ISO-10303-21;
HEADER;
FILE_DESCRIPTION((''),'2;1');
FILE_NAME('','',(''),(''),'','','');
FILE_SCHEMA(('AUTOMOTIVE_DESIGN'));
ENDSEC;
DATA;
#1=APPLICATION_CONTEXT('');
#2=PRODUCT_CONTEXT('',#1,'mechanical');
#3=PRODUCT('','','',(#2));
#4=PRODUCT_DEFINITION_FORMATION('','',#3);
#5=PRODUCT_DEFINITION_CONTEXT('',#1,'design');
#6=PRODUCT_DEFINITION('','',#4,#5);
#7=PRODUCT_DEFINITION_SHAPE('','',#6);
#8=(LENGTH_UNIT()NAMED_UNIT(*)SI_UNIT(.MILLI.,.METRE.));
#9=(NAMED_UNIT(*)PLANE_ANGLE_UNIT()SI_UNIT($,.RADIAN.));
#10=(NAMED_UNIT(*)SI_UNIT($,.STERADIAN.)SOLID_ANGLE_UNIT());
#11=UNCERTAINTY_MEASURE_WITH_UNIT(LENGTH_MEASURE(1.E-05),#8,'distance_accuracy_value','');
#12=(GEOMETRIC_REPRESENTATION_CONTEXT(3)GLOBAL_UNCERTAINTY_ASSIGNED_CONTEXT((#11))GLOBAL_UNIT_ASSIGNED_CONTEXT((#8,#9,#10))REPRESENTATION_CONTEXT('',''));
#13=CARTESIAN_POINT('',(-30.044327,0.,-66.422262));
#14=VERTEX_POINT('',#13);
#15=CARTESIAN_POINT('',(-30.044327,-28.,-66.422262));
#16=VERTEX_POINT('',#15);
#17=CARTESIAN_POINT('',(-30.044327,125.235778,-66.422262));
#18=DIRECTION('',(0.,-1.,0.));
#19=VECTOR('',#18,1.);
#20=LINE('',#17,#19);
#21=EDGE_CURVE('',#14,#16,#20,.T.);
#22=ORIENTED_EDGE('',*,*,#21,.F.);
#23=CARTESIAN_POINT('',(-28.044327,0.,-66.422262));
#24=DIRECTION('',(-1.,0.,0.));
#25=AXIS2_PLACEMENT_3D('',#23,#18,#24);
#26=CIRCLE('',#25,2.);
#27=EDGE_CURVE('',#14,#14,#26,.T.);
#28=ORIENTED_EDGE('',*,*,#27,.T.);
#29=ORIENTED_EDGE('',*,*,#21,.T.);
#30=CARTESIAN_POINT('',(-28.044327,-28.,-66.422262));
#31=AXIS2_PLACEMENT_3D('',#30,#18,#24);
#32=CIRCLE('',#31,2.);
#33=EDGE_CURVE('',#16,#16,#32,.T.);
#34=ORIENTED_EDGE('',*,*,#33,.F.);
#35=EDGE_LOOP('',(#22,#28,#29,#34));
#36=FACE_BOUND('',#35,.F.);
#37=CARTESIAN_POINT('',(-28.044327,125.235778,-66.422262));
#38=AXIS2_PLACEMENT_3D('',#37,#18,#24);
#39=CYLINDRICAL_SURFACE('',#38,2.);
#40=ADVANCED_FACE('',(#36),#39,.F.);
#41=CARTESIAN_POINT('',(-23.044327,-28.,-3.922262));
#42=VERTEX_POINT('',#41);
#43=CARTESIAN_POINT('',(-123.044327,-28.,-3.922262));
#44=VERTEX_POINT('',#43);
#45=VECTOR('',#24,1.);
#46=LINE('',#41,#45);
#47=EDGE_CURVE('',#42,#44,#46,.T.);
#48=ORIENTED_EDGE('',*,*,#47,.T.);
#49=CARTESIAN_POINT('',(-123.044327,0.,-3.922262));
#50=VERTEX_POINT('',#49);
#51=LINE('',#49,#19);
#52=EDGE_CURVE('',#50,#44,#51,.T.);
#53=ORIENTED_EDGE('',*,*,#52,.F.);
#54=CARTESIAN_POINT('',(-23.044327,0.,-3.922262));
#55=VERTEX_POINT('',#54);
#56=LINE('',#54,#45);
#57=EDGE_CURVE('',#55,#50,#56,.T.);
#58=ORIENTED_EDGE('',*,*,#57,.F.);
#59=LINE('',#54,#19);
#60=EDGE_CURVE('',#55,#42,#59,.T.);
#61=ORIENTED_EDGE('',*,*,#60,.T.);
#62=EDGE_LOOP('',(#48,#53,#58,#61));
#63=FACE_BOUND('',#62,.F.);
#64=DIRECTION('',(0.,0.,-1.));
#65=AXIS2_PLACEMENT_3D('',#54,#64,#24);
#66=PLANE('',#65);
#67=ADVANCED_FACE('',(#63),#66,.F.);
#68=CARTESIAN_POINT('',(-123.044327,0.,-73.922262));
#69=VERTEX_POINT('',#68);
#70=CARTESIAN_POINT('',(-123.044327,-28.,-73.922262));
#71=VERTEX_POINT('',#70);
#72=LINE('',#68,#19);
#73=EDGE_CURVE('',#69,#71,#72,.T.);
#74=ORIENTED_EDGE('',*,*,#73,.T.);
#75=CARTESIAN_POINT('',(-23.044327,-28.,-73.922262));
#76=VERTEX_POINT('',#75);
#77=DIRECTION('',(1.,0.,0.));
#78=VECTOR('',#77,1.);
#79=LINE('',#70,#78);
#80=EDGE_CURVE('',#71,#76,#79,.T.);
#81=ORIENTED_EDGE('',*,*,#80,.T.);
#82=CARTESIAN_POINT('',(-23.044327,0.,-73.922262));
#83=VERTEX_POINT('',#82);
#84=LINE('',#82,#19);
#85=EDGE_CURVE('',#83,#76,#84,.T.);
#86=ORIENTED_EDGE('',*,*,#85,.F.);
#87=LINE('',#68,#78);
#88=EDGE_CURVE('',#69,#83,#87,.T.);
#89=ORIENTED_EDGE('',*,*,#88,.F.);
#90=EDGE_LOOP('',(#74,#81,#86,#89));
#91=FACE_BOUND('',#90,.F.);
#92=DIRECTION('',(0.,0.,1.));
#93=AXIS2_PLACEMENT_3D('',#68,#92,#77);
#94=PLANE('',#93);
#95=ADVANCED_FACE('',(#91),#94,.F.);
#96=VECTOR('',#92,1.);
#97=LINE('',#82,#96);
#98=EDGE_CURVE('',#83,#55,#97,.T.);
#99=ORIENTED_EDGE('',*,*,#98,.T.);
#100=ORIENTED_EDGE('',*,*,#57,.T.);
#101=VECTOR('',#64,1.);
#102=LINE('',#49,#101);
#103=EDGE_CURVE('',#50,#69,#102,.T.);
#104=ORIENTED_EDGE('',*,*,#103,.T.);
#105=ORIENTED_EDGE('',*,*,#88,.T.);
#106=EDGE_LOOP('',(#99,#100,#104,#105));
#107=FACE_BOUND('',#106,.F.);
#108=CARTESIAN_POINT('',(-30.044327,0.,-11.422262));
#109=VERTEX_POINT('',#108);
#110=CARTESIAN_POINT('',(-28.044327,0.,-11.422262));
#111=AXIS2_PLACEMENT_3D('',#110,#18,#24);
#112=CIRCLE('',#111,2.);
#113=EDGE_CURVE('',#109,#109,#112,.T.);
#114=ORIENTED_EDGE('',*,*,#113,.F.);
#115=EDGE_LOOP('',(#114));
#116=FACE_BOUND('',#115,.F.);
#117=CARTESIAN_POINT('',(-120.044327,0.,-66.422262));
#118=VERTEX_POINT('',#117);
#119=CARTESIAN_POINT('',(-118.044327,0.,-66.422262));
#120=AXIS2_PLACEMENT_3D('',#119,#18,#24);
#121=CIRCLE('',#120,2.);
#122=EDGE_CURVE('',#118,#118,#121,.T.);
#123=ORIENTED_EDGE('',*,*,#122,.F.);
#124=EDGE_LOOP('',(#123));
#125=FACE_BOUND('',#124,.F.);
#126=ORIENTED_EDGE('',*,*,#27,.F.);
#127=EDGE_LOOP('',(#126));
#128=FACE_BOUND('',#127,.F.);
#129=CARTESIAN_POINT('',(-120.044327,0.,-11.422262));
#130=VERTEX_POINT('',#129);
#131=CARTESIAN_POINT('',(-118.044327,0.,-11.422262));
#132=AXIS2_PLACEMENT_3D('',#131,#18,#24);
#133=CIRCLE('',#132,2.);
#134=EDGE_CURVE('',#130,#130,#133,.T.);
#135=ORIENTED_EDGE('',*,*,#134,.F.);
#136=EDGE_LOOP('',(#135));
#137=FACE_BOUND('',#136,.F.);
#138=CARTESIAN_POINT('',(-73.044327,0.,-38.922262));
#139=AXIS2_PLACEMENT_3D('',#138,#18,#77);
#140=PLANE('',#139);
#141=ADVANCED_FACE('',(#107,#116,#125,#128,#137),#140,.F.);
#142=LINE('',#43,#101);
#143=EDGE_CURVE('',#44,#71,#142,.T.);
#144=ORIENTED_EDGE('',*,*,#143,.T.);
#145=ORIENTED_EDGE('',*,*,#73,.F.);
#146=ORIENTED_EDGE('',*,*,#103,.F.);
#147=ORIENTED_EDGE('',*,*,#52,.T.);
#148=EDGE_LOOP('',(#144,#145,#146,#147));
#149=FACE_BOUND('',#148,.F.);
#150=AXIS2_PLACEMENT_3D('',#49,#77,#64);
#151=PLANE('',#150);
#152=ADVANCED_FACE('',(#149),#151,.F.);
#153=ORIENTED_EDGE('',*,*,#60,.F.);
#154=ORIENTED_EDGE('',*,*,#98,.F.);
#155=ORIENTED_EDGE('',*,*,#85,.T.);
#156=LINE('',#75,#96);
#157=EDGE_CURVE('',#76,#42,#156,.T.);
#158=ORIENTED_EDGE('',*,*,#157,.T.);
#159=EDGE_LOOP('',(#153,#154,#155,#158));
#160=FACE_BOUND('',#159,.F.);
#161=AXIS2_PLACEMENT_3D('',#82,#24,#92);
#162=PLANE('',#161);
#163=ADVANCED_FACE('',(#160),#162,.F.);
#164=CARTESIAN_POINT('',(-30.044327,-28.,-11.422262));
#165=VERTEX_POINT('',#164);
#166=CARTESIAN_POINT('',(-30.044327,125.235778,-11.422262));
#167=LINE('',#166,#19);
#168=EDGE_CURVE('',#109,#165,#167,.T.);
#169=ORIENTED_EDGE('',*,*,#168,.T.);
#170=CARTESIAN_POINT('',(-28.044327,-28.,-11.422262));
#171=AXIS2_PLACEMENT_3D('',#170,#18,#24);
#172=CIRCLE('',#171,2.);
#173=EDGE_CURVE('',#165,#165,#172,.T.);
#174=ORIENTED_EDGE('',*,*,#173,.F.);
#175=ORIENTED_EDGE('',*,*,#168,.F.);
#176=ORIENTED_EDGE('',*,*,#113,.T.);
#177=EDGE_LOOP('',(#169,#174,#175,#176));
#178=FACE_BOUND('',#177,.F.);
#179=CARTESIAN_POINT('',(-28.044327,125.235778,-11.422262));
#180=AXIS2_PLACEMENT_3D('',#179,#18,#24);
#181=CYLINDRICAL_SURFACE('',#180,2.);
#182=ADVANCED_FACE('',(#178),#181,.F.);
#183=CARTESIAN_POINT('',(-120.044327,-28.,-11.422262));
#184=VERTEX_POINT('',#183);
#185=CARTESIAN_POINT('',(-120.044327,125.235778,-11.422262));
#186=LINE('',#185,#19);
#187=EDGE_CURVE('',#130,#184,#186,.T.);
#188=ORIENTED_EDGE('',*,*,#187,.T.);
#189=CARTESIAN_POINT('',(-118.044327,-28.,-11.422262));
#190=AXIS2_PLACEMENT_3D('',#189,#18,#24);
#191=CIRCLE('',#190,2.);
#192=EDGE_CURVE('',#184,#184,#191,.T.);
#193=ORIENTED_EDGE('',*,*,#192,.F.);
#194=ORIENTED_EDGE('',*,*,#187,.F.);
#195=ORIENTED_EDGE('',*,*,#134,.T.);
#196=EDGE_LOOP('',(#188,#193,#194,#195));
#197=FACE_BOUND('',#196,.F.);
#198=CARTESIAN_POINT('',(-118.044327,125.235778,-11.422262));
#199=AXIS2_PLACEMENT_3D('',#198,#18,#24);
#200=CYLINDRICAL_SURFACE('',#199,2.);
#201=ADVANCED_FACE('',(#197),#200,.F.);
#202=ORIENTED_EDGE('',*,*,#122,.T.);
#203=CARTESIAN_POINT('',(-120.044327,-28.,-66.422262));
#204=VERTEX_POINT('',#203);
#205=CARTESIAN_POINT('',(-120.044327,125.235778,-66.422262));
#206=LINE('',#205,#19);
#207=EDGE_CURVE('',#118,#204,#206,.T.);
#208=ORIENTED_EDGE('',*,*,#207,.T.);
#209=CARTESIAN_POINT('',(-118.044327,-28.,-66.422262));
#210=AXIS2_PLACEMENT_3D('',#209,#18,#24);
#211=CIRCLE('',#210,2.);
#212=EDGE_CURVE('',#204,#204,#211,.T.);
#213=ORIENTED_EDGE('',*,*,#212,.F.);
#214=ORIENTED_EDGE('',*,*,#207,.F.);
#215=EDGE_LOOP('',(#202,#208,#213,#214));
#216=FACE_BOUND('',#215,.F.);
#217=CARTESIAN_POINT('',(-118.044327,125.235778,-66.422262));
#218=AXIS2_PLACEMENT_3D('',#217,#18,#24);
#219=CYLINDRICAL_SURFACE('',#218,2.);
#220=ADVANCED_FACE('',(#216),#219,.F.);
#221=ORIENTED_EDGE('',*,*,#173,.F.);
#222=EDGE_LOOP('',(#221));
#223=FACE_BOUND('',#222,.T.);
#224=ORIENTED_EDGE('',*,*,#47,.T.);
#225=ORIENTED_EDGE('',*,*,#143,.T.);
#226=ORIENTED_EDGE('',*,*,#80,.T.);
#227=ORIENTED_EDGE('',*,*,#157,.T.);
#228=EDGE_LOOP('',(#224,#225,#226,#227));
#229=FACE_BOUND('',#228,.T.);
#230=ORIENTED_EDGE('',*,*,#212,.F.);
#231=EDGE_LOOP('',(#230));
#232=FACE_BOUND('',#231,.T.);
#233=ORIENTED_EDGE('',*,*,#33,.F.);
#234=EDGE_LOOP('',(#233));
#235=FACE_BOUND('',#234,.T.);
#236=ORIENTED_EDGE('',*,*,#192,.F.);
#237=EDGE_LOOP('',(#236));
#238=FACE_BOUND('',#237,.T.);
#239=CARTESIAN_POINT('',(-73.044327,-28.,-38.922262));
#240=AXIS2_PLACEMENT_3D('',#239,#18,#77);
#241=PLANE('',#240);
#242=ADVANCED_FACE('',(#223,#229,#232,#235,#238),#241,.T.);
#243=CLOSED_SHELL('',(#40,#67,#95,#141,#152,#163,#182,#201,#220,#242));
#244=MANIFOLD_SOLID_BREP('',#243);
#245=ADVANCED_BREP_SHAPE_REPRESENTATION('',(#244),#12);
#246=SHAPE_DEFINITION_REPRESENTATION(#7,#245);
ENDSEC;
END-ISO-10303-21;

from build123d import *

# Parameters (mm, degrees)
F0_W     = 90
F0_H     = 55
F0_H_2   = 7.5
F0_W_2   = 5
F1_DEPTH = 28
F2_D     = 4


with BuildPart() as f1:
    # F0 (on Front) → F1 (new body)
    with BuildSketch(Plane.XZ):
        with Locations((-73.0443269014, -38.9222615957)):
            Rectangle(F0_W, F0_H)
        with Locations((-73.0443269014, -7.6722615957)):
            Rectangle(F0_W, F0_H_2)
        with Locations((-25.5443269014, -38.9222615957)):
            Rectangle(F0_W_2, F0_H)
        with Locations((-25.5443269014, -7.6722615957)):
            Rectangle(F0_W_2, F0_H_2)
        with Locations((-73.0443269014, -70.1722615957)):
            Rectangle(F0_W, F0_H_2)
        with Locations((-120.5443269014, -38.9222615957)):
            Rectangle(F0_W_2, F0_H)
        with Locations((-120.5443269014, -7.6722615957)):
            Rectangle(F0_W_2, F0_H_2)
        with Locations((-120.5443269014, -70.1722615957)):
            Rectangle(F0_W_2, F0_H_2)
        with Locations((-25.5443269014, -70.1722615957)):
            Rectangle(F0_W_2, F0_H_2)
    extrude(amount=F1_DEPTH)

    # F2 (through all)
    with Locations(Plane(origin=(0, 0, 0), x_dir=(1, 0, 0), z_dir=(0, 1, 0))):
        with Locations((-118.0443269014, 11.4222615957), (-28.0443269014, 11.4222615957), (-118.0443269014, 66.4222615957), (-28.0443269014, 66.4222615957)):
            Hole(F2_D / 2)


solid = f1.part
